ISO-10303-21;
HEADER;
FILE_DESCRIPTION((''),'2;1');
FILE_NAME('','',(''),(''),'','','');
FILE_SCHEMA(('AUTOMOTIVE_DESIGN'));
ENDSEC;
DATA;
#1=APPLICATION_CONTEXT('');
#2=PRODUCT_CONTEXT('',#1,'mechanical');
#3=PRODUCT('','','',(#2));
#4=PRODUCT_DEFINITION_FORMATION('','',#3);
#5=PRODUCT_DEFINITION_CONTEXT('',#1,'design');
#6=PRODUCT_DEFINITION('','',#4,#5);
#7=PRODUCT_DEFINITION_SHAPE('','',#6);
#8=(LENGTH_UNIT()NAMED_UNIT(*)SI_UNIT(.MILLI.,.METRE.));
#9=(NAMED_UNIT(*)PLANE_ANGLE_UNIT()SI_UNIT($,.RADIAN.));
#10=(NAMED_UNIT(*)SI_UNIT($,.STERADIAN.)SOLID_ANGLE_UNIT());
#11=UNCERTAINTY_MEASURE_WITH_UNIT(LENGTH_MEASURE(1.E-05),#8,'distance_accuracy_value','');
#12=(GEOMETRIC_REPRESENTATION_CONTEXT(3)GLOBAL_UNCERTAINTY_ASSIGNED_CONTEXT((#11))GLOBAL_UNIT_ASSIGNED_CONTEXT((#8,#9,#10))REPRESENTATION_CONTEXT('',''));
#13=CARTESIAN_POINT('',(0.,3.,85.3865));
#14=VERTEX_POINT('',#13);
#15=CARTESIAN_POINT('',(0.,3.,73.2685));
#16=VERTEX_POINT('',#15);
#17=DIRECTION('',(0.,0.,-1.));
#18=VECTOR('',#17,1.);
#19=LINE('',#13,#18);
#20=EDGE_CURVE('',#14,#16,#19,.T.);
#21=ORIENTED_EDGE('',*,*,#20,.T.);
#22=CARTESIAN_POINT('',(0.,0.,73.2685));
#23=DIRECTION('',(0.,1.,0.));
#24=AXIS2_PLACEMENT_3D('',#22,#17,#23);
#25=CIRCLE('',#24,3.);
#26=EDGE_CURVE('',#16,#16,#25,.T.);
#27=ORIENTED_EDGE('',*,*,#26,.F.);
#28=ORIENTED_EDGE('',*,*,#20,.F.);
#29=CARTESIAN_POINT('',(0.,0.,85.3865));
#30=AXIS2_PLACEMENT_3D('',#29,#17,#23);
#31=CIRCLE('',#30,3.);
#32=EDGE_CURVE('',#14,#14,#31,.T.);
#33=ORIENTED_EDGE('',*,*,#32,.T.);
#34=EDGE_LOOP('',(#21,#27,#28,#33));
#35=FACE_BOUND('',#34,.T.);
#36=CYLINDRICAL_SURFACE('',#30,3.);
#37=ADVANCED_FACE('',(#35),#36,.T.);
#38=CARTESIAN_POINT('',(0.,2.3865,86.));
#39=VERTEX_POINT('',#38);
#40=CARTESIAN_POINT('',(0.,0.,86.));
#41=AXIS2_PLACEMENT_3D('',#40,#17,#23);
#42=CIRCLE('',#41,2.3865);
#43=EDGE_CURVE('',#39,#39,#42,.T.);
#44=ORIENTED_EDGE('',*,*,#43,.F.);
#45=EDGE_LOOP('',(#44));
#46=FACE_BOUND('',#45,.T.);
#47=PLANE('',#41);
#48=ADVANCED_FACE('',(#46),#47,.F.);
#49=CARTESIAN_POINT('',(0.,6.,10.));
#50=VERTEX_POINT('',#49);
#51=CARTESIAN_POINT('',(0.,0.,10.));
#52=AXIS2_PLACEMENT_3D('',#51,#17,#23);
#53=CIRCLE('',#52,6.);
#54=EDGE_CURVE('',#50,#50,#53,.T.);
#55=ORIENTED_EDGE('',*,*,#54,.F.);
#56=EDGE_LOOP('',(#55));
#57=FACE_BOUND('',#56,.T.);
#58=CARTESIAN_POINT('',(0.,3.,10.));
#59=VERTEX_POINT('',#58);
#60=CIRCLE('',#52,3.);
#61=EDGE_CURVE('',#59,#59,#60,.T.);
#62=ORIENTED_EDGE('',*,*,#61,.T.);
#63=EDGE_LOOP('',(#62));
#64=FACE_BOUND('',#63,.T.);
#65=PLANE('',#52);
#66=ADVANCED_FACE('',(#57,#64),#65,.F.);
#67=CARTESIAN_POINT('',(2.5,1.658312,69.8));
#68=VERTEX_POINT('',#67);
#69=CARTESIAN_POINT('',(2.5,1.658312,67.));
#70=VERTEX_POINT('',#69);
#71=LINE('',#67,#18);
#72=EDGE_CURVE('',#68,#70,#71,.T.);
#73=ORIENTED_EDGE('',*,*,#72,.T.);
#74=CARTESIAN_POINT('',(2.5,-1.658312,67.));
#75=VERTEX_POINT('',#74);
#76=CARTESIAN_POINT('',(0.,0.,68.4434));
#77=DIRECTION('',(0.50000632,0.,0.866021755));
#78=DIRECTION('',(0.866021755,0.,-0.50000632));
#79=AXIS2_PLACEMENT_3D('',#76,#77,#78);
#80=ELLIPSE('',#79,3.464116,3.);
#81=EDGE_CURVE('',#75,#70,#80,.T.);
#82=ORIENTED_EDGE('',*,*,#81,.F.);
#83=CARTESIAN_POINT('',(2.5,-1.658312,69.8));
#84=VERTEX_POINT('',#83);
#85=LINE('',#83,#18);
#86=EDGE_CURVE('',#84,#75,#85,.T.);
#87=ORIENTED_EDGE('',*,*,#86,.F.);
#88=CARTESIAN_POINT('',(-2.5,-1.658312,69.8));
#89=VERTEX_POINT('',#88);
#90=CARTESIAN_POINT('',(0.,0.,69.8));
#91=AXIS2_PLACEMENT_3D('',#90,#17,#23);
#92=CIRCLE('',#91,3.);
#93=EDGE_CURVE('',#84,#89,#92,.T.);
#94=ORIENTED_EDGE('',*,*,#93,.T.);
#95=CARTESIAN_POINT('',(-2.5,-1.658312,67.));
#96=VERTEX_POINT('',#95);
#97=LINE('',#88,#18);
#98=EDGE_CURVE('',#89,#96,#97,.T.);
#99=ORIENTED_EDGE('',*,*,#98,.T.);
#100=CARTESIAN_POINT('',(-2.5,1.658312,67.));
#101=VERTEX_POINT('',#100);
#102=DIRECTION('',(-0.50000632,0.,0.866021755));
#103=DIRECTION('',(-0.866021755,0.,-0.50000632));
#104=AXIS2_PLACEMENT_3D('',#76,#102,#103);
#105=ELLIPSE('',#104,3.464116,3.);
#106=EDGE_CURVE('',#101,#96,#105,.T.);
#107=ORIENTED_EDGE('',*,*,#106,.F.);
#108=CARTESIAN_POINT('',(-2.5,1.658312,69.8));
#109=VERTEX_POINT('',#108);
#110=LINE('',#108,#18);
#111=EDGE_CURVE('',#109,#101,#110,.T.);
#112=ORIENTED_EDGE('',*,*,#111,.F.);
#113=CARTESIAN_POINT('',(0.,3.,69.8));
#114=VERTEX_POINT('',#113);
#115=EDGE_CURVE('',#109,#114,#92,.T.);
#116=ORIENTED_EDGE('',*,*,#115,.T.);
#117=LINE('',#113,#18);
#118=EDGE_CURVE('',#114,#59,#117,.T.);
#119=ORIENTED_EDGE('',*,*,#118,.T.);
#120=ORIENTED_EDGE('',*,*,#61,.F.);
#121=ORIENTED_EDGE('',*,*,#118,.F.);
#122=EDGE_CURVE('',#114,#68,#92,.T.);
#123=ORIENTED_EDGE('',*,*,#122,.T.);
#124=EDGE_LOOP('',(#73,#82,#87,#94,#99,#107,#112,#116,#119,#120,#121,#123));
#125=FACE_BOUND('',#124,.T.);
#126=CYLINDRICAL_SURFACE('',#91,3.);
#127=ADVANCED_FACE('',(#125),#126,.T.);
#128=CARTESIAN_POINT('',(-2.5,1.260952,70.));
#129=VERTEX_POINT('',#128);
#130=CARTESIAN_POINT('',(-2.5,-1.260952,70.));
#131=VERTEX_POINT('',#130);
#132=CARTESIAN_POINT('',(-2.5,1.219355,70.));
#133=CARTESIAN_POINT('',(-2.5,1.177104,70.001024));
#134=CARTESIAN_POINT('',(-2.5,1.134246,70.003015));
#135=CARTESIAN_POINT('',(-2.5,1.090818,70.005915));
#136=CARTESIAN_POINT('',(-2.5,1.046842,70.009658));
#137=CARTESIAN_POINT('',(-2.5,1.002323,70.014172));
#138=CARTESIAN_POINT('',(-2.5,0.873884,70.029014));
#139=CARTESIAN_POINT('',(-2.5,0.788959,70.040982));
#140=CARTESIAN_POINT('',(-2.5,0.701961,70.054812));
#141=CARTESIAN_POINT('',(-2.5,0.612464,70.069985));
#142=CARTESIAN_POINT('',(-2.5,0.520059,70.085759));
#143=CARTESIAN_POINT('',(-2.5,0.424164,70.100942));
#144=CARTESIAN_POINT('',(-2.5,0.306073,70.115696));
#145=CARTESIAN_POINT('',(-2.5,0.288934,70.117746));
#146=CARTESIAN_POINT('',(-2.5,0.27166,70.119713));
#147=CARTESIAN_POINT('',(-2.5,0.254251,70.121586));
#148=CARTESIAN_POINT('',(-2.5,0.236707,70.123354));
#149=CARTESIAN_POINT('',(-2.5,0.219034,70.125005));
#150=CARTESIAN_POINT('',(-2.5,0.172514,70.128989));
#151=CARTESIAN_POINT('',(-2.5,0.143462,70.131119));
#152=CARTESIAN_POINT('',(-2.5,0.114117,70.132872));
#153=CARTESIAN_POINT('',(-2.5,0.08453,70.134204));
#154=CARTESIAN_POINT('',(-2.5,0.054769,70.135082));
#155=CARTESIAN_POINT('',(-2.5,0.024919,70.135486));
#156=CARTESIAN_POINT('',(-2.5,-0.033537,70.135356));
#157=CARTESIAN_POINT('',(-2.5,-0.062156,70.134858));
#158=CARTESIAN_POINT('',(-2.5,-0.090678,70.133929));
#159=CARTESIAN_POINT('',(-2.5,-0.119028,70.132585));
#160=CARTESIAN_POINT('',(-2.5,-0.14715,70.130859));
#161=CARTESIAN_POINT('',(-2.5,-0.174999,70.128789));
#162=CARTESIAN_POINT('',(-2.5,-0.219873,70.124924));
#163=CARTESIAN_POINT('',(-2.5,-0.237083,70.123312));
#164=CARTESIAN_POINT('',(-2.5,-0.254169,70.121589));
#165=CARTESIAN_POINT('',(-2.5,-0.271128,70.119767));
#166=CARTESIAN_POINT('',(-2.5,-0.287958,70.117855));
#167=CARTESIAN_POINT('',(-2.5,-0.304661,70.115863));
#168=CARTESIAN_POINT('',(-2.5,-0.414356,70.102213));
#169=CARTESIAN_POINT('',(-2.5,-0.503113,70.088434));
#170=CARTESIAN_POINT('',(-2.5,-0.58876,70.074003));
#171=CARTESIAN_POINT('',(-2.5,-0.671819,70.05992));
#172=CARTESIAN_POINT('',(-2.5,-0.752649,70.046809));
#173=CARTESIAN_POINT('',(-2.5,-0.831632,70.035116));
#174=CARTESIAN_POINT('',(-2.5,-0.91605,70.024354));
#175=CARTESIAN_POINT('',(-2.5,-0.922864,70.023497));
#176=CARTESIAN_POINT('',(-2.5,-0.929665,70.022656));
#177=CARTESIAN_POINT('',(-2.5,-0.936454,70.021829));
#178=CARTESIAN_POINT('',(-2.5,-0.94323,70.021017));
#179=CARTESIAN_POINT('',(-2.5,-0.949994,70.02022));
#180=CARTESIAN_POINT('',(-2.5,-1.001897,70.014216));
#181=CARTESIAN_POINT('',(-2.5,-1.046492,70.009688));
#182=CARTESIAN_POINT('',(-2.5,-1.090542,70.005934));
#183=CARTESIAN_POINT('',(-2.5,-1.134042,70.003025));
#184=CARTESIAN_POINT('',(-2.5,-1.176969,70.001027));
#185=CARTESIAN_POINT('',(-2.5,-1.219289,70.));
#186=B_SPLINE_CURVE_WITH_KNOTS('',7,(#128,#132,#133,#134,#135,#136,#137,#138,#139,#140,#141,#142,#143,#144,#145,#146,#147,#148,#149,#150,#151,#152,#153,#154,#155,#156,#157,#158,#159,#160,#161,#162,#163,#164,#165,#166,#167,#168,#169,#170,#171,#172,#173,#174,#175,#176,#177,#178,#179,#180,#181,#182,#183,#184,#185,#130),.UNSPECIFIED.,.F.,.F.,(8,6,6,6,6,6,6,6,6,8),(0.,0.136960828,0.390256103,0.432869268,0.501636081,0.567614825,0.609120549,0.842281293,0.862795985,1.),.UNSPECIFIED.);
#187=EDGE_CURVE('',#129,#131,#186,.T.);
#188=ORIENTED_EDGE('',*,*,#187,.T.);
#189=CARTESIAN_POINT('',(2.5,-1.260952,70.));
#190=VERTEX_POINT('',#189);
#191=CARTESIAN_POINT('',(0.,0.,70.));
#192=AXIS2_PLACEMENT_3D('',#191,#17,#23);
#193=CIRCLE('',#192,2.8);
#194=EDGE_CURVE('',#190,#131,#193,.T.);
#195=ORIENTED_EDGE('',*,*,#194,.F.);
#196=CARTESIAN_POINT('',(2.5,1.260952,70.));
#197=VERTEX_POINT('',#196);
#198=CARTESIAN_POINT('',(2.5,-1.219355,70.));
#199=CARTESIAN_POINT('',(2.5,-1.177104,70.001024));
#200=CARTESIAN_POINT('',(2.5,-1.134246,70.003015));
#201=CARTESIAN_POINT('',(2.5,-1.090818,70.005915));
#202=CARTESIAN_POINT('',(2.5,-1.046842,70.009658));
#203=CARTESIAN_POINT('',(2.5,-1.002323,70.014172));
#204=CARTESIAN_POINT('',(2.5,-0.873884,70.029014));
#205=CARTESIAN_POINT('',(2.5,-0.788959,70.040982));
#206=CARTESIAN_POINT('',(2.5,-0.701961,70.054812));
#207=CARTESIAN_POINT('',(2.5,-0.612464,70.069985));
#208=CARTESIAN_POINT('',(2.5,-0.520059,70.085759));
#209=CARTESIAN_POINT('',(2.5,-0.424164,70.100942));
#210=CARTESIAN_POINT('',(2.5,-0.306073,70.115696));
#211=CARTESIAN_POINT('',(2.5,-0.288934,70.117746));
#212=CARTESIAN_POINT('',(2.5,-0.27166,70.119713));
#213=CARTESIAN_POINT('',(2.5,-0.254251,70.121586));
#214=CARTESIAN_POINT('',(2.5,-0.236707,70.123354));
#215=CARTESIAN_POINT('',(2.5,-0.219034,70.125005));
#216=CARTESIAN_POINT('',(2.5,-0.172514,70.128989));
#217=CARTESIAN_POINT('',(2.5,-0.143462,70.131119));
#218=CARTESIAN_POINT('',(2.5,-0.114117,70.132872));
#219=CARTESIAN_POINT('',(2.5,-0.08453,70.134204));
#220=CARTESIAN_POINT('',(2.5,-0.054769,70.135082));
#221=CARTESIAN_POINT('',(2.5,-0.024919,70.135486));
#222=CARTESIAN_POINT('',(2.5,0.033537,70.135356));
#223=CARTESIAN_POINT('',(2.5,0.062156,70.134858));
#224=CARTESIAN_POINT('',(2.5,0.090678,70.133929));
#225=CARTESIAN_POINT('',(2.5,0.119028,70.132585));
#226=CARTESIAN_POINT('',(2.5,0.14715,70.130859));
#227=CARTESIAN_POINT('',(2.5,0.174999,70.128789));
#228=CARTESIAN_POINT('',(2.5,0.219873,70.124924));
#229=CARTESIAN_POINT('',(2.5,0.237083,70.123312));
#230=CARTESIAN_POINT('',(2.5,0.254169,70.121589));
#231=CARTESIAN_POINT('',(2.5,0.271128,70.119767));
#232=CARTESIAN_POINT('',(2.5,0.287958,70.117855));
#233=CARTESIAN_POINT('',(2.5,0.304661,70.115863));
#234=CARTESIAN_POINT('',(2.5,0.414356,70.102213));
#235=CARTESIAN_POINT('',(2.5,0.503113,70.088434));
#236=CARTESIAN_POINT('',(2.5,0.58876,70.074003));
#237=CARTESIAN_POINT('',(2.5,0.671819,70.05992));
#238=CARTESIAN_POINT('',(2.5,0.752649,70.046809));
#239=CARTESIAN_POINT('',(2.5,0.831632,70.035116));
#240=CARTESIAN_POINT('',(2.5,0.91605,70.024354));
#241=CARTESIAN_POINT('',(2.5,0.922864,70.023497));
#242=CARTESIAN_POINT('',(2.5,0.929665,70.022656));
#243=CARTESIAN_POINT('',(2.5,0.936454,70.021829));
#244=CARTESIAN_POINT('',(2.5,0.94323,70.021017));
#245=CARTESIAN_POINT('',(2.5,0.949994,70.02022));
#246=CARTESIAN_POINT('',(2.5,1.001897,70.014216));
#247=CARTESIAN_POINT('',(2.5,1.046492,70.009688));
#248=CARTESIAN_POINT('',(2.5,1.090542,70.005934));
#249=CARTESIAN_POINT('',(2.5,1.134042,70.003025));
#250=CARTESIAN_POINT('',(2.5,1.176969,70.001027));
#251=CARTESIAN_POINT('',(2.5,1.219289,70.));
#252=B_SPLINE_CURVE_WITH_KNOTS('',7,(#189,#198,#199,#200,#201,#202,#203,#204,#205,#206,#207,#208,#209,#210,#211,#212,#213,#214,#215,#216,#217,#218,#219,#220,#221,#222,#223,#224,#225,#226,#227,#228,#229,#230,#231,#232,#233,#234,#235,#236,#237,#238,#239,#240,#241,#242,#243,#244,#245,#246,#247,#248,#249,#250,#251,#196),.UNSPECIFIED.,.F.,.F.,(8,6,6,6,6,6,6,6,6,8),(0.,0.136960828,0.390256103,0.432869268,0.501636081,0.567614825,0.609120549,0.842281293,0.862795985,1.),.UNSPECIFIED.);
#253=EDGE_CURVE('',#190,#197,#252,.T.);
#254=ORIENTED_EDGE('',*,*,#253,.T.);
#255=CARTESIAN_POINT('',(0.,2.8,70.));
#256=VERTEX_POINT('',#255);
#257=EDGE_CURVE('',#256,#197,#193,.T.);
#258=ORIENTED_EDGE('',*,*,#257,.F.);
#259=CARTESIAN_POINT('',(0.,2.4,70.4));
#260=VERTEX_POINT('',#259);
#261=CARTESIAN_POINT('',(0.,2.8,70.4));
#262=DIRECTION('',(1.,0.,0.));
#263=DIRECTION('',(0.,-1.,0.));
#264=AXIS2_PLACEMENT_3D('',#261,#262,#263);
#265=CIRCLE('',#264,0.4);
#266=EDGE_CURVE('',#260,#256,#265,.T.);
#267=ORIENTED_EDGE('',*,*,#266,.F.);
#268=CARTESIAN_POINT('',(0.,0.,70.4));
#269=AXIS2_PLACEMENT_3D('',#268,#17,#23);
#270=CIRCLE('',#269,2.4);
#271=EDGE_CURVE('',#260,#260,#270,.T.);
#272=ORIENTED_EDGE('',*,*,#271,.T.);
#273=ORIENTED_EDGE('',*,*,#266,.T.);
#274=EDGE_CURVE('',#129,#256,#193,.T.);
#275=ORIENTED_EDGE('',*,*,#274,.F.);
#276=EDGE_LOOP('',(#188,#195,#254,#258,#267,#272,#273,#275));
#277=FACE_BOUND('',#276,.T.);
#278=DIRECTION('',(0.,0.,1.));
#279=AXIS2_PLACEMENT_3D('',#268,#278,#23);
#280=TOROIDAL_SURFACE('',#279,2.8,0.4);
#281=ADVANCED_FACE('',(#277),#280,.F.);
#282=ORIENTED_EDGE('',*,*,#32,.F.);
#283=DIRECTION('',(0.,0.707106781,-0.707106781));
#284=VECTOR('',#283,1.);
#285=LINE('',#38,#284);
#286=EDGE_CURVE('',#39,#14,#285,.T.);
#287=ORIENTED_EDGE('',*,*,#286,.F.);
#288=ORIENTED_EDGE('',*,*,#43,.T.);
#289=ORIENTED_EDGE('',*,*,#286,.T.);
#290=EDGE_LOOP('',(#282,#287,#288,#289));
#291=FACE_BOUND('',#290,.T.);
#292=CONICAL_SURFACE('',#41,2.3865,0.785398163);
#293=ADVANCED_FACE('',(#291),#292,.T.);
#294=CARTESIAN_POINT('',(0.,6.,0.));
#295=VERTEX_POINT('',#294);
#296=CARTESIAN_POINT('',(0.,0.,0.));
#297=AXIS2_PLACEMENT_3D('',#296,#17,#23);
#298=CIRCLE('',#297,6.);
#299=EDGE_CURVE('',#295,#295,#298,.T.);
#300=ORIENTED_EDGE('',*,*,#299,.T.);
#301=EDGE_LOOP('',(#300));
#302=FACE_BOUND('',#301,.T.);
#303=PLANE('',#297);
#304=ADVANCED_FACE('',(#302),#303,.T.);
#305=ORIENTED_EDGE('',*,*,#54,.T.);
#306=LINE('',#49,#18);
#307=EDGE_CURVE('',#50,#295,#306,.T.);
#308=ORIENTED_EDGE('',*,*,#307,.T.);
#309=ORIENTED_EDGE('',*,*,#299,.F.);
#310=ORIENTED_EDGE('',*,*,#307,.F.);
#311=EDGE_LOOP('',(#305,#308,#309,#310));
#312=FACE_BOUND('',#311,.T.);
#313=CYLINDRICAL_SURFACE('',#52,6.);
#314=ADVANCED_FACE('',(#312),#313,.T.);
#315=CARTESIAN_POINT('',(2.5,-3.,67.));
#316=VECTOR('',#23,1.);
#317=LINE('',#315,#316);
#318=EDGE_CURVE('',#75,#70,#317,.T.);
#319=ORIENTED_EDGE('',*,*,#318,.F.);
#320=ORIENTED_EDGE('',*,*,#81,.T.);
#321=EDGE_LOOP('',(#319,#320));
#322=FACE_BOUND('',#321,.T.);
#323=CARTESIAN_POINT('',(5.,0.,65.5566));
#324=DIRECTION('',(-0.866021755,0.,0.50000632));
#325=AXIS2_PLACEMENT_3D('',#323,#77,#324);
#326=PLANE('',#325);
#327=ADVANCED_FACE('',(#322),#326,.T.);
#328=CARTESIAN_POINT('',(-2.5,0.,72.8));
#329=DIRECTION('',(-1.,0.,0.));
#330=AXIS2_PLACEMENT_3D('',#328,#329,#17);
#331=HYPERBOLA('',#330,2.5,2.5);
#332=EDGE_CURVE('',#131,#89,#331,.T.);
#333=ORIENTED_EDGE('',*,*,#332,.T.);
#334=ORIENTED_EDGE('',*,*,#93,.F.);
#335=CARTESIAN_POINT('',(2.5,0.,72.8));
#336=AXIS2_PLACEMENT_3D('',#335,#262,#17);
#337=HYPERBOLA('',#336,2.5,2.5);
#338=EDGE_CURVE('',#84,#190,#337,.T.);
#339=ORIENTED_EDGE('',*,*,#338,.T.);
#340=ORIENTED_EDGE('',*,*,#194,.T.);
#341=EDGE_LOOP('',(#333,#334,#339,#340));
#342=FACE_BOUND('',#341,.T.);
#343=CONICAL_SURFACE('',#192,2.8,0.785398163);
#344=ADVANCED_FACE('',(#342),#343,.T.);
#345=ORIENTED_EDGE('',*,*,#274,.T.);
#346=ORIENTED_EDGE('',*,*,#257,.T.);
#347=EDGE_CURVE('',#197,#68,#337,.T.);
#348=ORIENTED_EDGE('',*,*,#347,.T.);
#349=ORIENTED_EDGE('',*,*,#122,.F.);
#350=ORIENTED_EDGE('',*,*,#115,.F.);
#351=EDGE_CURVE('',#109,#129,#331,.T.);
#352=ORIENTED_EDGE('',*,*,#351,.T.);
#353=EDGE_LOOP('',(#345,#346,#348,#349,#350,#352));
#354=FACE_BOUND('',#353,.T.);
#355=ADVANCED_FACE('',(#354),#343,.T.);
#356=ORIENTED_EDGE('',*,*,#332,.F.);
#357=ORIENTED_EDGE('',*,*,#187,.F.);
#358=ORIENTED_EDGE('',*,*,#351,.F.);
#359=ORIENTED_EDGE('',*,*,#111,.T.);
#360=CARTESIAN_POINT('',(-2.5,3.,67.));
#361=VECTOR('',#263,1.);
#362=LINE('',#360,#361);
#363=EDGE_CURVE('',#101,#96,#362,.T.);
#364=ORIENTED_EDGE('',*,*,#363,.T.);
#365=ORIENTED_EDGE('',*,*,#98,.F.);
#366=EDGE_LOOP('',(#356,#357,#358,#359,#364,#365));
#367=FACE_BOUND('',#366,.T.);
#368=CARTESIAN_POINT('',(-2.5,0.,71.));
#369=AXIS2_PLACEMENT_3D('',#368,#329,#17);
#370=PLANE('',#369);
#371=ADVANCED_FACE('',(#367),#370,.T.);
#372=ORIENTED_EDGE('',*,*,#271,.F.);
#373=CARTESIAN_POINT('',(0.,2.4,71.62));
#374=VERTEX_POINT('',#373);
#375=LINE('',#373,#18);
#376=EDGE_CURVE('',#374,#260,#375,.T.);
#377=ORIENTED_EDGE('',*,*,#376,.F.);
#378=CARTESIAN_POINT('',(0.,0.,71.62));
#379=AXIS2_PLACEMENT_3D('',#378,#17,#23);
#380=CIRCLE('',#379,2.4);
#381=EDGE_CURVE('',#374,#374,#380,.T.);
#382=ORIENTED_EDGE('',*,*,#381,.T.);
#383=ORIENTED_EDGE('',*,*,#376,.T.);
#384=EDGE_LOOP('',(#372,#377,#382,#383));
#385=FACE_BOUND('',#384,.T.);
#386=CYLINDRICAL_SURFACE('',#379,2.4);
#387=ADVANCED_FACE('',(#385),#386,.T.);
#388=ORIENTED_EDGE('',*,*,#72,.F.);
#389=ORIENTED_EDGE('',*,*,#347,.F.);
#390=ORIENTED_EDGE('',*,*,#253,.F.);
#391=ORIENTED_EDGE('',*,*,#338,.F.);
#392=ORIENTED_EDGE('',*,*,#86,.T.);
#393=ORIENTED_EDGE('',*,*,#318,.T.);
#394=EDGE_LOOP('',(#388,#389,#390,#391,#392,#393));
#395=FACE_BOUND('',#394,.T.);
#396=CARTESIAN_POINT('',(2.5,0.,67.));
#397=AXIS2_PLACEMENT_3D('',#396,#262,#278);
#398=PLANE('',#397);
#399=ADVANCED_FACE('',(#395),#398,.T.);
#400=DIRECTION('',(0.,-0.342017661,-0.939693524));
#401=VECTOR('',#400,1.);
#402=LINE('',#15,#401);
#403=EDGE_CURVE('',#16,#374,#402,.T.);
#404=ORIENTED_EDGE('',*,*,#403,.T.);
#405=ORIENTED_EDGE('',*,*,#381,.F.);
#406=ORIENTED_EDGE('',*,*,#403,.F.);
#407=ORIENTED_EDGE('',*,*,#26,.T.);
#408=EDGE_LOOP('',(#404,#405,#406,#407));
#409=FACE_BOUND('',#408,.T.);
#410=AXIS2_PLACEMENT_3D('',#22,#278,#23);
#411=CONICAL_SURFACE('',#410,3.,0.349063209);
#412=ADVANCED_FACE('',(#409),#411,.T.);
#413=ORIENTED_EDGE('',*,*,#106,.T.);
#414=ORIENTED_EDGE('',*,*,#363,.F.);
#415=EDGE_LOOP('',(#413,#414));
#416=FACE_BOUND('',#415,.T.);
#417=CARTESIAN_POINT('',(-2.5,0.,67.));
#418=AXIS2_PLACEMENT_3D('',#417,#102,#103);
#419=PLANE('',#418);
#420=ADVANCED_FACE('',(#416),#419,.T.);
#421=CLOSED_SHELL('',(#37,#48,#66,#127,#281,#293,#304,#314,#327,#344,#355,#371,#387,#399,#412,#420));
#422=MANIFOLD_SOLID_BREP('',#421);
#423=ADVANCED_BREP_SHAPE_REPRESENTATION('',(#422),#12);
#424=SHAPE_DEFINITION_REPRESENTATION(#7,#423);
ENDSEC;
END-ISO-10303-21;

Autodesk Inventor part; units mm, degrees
sketch "Sketch_3" plane through (0, 0, 0) normal (1, 0, 0) x (0, 1, 0)
  line L0 (0, 0) -> (0, 86)
  line L1 (0, 86) -> (2.3865, 86)
  line L2 (2.3865, 86) -> (3, 85.3865)
  line L3 (3, 85.3865) -> (3, 73.2685)
  line L4 (3, 73.2685) -> (2.4, 71.62)
  line L5 (2.4, 71.62) -> (2.4, 70.4)
  arc A0 (2.4, 70.4) -> (2.8, 70) centre (2.8, 70.4) ccw
  line L6 (2.8, 70) -> (3, 69.8)
  line L7 (3, 69.8) -> (3, 10)
  line L8 (3, 10) -> (6, 10)
  line L9 (6, 10) -> (6, 0)
  line L10 (6, 0) -> (0, 0)
  line L11 (0, 0) -> (0, 86)
revolve "Revolution1" add sketch "Sketch_3" angle 360 about axis through (0, 0, 0) along (0, 0, -1)
thread "Thread1" size "M6x1" class "6g" standard "ISO Metric profile" full length
sketch "Sketch_4" plane through (0, 0, 0) normal (0, 1, 0) x (-1, 0, 0)
  line L0 (5, 65.5566) -> (5, 71)
  line L1 (5, 71) -> (2.5, 71)
  line L2 (2.5, 71) -> (2.5, 67)
  line L3 (2.5, 67) -> (5, 65.5566)
extrude "Extrusion1" cut sketch "Sketch_4" along normal mid plane 6
sketch "Sketch_5" plane through (0, 0, 0) normal (0, 1, 0) x (-1, 0, 0)
  line L0 (-2.5, 67) -> (-2.5, 71)
  line L1 (-2.5, 71) -> (-5, 71)
  line L2 (-5, 71) -> (-5, 65.5566)
  line L3 (-5, 65.5566) -> (-2.5, 67)
extrude "Extrusion2" cut sketch "Sketch_5" along normal mid plane 6
ref_plane "ANBAU_XY" through (0, 0, 0) normal (0, 0, -1) x (1, 0, 0)
ref_plane "ANBAU_YZ" through (0, 0, 0) normal (1, 0, 0) x (0, -1, 0)
ref_plane "ANBAU_ZX" through (0, 0, 0) normal (0, -1, 0) x (0, 0, -1)
ref_plane "FDT_KSAUFSATZ_XY" through (0, 0, 76.2) normal (0, 0, 1) x (1, 0, 0)
ref_plane "FDT_KSAUFSATZ_YZ" through (0, 0, 76.2) normal (1, 0, 0) x (0, 1, 0)
ref_plane "FDT_KSAUFSATZ_ZX" through (0, 0, 76.2) normal (0, 1, 0) x (0, 0, 1)
ref_plane "FDT_NUT_XY" through (0, 0, 76.2) normal (0, 0, 1) x (1, 0, 0)
ref_plane "FDT_NUT_YZ" through (0, 0, 76.2) normal (1, 0, 0) x (0, 1, 0)
ref_plane "FDT_NUT_ZX" through (0, 0, 76.2) normal (0, 1, 0) x (0, 0, 1)
ref_plane "to_nut_XY" through (0, 0, 83.325) normal (0, 0, 1) x (1, 0, 0)
ref_plane "to_nut_YZ" through (0, 0, 83.325) normal (1, 0, 0) x (0, 1, 0)
ref_plane "to_nut_ZX" through (0, 0, 83.325) normal (0, 1, 0) x (0, 0, 1)
properties part number "8112003 DSNU-S-12-30-P---(P)"
